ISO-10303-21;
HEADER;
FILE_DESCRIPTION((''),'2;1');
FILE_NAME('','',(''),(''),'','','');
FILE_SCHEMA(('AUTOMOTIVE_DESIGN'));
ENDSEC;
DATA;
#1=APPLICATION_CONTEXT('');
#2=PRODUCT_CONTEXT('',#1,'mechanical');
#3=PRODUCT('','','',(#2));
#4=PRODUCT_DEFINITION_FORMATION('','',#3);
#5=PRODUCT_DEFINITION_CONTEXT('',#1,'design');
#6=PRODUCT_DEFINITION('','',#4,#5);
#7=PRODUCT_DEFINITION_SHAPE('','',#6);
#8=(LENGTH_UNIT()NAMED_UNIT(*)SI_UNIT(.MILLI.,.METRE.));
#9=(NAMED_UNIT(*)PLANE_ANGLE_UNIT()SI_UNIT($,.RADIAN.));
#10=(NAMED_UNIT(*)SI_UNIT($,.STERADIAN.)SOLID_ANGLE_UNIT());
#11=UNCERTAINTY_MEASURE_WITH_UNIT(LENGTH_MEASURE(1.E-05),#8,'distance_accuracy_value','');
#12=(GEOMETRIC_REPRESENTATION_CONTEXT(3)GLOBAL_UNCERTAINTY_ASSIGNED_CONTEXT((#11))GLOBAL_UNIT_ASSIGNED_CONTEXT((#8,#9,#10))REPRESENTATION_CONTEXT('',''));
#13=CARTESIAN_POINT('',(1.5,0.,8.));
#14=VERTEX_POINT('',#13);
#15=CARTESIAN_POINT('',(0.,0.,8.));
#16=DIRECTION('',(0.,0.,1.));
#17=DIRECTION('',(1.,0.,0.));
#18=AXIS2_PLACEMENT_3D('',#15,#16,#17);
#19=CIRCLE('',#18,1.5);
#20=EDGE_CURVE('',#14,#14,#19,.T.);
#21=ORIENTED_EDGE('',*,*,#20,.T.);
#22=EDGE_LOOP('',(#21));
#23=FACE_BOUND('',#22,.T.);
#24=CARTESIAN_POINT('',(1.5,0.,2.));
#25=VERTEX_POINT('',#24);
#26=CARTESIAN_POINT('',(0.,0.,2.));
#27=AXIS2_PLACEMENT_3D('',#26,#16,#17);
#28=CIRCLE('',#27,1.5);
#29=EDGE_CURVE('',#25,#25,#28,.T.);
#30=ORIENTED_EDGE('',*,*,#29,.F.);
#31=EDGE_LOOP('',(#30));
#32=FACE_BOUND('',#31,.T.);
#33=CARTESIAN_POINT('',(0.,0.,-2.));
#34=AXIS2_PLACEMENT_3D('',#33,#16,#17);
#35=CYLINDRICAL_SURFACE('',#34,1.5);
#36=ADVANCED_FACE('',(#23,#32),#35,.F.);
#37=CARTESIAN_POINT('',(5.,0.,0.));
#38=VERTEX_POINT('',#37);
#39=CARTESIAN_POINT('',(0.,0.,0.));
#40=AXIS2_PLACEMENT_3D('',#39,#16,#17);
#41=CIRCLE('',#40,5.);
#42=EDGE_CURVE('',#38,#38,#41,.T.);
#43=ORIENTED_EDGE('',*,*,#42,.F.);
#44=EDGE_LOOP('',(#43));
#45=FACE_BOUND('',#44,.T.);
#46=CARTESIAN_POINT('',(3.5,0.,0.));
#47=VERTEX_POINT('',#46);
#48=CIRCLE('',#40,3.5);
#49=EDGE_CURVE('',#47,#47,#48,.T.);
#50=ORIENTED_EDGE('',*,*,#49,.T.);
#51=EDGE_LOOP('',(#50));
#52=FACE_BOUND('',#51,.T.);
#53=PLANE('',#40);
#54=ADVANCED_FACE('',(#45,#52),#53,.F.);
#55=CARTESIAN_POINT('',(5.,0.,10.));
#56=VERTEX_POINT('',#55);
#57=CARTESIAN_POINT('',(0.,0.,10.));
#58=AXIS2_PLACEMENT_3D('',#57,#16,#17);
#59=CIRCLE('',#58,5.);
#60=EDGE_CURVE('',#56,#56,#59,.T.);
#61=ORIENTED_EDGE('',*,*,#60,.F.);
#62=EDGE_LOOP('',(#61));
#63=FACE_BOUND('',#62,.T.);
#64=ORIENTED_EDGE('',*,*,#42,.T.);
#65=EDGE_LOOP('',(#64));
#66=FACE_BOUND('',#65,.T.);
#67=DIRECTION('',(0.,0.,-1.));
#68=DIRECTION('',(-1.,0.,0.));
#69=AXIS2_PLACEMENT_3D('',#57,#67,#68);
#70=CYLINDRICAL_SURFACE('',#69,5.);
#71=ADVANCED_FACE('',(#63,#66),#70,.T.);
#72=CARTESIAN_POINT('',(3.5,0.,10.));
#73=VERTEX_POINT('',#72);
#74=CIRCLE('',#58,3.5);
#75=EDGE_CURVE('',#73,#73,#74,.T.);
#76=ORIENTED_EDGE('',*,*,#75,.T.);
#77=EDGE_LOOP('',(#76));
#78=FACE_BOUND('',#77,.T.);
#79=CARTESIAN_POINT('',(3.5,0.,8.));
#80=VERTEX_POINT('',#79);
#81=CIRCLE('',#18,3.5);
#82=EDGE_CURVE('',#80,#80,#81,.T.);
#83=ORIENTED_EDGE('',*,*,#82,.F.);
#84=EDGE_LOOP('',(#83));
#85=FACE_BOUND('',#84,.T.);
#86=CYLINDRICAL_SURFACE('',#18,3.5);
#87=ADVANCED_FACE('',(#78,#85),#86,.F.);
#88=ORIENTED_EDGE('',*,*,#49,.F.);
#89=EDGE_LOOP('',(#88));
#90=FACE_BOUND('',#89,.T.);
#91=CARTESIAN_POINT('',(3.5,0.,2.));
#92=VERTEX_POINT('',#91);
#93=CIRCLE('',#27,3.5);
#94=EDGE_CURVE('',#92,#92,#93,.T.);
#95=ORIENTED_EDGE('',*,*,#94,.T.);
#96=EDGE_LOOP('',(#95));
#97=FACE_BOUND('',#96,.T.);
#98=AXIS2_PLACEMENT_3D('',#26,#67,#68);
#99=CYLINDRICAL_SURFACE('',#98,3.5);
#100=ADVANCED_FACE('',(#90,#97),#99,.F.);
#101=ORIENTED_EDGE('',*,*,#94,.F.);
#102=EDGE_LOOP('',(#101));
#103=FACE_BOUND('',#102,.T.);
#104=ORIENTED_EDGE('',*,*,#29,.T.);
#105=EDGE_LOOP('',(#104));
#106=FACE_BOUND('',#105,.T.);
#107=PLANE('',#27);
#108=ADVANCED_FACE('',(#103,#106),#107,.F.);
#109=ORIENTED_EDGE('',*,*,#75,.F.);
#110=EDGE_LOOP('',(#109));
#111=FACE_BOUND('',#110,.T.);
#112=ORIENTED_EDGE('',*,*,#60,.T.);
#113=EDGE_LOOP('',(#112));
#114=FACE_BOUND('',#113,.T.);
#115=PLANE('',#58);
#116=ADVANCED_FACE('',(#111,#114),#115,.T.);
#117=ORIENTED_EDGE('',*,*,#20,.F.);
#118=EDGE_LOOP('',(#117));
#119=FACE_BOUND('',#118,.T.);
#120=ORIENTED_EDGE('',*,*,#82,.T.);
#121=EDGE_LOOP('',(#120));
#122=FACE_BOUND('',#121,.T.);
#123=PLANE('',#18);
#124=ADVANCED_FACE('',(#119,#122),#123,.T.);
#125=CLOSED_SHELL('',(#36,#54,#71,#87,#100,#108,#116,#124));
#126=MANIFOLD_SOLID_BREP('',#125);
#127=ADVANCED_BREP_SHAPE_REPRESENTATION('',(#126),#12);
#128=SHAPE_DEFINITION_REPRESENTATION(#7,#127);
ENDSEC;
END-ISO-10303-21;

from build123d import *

# Parameters (mm, degrees)
SKETCH1_R           = 5
BOSS_EXTRUDE1_DEPTH = 10
SKETCH2_R           = 3.5
CUT_EXTRUDE1_DEPTH  = 2
SKETCH3_R           = 3.5
CUT_EXTRUDE2_DEPTH  = 2
SKETCH4_R           = 1.5
CUT_EXTRUDE3_DEPTH  = 12


with BuildPart() as part:
    # Sketch1 → Boss-Extrude1 (new body)
    with BuildSketch(Plane.XY):
        Circle(SKETCH1_R)
    extrude(amount=BOSS_EXTRUDE1_DEPTH)

    # Sketch2 → Cut-Extrude1 (cut)
    with BuildSketch(Plane.XY):
        Circle(SKETCH2_R)
    extrude(amount=CUT_EXTRUDE1_DEPTH, mode=Mode.SUBTRACT)

    # Sketch3 → Cut-Extrude2 (cut)
    with BuildSketch(Plane.XY.offset(10)):
        Circle(SKETCH3_R)
    extrude(amount=-CUT_EXTRUDE2_DEPTH, mode=Mode.SUBTRACT)

    # Sketch4 → Cut-Extrude3 (cut)
    with BuildSketch(Plane.XY.offset(10)):
        Circle(SKETCH4_R)
    extrude(amount=-CUT_EXTRUDE3_DEPTH, mode=Mode.SUBTRACT)


solid = part.part
